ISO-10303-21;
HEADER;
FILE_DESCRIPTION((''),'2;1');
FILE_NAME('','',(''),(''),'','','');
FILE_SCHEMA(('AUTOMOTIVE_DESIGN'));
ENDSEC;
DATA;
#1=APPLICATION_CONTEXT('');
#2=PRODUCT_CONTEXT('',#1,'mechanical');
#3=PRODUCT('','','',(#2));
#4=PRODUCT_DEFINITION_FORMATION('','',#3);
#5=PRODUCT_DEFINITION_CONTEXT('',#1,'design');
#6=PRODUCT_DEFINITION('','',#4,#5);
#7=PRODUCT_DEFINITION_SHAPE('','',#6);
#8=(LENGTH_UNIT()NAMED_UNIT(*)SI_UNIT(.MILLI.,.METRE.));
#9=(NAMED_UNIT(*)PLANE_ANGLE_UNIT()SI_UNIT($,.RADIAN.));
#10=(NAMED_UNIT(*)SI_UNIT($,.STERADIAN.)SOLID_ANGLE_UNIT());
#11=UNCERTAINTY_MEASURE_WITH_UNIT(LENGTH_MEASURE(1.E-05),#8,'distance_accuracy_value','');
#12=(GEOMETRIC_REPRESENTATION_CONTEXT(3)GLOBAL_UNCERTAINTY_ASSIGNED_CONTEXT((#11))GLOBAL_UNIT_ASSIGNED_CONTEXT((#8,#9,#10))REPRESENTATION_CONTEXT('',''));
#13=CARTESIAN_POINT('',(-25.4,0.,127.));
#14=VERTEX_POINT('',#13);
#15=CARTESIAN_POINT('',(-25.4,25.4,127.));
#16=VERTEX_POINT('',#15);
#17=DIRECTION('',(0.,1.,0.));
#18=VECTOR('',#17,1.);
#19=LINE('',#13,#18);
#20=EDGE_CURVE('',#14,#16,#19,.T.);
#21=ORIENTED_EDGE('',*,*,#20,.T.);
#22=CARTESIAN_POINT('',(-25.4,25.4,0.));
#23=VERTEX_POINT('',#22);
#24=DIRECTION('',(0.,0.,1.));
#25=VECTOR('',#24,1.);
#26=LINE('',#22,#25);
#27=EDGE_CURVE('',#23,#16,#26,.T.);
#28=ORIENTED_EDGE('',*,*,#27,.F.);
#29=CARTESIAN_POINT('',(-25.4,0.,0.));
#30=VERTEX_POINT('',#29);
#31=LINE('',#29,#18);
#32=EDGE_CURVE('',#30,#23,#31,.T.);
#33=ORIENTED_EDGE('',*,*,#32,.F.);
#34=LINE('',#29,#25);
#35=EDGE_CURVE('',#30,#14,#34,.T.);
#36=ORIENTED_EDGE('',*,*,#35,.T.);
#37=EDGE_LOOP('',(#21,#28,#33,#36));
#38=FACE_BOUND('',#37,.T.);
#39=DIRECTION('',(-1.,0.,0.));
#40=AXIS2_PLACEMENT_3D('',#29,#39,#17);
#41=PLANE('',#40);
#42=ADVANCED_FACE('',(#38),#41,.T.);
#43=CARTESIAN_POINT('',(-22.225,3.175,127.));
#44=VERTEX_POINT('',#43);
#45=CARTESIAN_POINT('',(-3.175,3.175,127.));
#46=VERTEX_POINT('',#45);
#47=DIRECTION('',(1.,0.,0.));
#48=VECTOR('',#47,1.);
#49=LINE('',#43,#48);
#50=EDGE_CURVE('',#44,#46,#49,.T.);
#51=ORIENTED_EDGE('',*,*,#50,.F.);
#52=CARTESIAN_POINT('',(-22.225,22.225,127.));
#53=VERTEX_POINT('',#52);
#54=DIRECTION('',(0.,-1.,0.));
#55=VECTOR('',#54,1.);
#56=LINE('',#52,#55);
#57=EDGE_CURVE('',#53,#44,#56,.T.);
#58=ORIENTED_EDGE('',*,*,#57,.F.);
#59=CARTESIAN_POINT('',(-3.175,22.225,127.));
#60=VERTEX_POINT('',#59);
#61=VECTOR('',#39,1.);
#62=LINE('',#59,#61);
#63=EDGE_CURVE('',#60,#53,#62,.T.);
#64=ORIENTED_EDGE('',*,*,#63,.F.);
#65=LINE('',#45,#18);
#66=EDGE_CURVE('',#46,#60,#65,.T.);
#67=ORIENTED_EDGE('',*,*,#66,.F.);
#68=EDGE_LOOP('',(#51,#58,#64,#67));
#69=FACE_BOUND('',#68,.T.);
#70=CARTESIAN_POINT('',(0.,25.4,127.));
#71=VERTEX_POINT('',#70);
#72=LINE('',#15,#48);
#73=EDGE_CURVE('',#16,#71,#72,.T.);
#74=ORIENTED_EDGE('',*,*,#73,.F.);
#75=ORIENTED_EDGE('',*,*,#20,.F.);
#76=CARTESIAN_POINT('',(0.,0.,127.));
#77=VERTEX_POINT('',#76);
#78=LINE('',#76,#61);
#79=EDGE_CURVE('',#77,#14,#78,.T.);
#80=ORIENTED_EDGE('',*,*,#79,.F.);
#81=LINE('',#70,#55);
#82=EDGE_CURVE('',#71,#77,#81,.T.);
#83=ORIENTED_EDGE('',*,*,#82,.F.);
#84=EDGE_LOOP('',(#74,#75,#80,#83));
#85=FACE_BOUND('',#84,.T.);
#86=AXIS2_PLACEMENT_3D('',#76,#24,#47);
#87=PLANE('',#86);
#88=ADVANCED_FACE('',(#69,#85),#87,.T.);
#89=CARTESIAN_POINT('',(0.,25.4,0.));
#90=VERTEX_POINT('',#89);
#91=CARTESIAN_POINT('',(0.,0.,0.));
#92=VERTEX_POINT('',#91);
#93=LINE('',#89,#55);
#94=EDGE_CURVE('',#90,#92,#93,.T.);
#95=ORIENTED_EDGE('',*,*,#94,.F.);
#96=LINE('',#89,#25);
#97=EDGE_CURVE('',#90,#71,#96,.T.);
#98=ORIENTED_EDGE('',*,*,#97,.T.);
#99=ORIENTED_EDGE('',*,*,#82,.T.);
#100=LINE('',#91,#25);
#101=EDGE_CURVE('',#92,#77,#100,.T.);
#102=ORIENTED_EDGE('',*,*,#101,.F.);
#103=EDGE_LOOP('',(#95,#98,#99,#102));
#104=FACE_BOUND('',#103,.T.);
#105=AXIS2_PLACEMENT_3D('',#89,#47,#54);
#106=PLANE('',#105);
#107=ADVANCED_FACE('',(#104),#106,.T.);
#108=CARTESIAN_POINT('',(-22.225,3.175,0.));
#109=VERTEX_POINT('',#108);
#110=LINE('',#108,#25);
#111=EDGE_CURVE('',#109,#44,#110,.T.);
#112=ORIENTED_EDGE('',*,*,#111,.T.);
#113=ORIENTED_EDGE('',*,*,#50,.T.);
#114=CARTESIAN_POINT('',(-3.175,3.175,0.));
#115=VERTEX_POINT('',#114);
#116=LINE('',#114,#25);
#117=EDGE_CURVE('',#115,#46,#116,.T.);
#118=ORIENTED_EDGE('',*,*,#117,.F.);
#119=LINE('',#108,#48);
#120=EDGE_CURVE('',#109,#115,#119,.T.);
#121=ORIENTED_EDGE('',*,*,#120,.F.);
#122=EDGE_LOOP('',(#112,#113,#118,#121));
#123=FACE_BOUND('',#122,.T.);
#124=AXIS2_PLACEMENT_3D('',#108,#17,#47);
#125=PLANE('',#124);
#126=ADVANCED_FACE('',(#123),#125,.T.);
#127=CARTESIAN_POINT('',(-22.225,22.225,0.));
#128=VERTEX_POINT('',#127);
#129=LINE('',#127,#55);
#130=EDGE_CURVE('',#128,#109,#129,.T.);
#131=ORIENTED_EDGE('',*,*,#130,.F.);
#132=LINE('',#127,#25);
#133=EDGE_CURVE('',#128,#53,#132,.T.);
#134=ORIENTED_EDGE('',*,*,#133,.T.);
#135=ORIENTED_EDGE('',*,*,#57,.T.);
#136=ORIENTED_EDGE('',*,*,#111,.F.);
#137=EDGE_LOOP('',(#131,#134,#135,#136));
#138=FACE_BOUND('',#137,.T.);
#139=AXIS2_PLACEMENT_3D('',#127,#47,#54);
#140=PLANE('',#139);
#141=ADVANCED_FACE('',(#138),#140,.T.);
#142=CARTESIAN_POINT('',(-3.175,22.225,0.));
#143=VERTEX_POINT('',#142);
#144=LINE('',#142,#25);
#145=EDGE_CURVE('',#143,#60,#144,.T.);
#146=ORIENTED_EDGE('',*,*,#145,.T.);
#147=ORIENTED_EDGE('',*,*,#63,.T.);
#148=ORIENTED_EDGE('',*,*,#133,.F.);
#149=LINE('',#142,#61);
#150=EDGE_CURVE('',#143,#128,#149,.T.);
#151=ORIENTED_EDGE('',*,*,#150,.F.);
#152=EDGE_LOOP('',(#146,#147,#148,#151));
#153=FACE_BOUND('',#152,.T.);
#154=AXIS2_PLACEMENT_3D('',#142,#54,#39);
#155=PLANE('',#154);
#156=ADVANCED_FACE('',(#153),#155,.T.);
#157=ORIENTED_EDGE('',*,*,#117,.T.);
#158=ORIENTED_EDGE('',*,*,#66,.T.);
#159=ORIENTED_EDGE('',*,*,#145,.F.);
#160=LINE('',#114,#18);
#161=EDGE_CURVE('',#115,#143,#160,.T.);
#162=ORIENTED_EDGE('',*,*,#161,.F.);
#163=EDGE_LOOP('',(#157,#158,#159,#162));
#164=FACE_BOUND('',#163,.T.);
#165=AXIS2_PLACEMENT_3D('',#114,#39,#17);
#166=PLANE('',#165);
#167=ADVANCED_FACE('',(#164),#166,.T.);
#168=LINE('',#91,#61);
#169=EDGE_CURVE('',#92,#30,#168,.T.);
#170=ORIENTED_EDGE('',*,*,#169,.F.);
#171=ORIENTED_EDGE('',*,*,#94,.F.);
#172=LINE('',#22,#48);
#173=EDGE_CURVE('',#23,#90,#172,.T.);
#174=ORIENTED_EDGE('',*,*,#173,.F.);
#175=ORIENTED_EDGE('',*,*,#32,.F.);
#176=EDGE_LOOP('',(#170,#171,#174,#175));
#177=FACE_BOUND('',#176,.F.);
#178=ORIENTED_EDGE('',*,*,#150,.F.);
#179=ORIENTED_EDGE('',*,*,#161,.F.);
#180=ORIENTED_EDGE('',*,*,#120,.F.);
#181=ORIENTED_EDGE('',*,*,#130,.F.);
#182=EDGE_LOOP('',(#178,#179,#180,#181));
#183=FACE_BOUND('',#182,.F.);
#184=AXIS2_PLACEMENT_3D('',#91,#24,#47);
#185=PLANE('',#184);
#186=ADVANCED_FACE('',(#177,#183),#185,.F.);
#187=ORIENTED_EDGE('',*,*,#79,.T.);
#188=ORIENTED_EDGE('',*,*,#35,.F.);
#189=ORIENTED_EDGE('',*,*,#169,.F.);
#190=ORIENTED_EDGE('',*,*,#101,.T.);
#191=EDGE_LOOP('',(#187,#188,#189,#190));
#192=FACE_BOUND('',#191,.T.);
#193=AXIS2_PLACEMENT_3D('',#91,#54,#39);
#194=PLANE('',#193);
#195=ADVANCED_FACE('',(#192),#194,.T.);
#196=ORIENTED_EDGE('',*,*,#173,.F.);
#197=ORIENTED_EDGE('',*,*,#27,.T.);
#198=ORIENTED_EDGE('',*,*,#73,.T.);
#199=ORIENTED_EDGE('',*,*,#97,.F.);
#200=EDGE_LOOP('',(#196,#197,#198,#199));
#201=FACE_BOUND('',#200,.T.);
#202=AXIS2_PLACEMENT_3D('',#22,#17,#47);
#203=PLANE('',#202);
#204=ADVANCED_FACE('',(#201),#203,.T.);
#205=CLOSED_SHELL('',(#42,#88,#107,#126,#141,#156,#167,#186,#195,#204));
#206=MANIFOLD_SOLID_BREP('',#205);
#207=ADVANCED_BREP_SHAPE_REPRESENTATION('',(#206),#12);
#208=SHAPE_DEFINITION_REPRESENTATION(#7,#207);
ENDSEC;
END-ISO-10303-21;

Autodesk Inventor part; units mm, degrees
ref_plane "YZ Plane" through (0, 0, 0) normal (1, 0, 0) x (0, 1, 0)
ref_plane "XZ Plane" through (0, 0, 0) normal (0, 1, 0) x (-1, 0, 0)
ref_plane "XY Plane" through (0, 0, 0) normal (0, 0, 1) x (1, 0, 0)
sketch "Sketch1" plane through (0, 0, 0) normal (0, 0, 1) x (1, 0, 0)
  line L0 (0, 0) -> (-25.4, 0)
  line L1 (-25.4, 0) -> (-25.4, 25.4)
  line L2 (-25.4, 25.4) -> (0, 25.4)
  line L3 (0, 25.4) -> (0, 0)
  line L4 (-3.175, 22.225) -> (-22.225, 22.225)
  line L5 (-22.225, 22.225) -> (-22.225, 3.175)
  line L6 (-22.225, 3.175) -> (-3.175, 3.175)
  line L7 (-3.175, 3.175) -> (-3.175, 22.225)
  dimension "d0" = 25.4
  dimension "d2" = 25.4
  dimension "d3" = 3.175
extrude "Extrusion1" add sketch "Sketch1" along normal blind 127
properties part number "bar support"
